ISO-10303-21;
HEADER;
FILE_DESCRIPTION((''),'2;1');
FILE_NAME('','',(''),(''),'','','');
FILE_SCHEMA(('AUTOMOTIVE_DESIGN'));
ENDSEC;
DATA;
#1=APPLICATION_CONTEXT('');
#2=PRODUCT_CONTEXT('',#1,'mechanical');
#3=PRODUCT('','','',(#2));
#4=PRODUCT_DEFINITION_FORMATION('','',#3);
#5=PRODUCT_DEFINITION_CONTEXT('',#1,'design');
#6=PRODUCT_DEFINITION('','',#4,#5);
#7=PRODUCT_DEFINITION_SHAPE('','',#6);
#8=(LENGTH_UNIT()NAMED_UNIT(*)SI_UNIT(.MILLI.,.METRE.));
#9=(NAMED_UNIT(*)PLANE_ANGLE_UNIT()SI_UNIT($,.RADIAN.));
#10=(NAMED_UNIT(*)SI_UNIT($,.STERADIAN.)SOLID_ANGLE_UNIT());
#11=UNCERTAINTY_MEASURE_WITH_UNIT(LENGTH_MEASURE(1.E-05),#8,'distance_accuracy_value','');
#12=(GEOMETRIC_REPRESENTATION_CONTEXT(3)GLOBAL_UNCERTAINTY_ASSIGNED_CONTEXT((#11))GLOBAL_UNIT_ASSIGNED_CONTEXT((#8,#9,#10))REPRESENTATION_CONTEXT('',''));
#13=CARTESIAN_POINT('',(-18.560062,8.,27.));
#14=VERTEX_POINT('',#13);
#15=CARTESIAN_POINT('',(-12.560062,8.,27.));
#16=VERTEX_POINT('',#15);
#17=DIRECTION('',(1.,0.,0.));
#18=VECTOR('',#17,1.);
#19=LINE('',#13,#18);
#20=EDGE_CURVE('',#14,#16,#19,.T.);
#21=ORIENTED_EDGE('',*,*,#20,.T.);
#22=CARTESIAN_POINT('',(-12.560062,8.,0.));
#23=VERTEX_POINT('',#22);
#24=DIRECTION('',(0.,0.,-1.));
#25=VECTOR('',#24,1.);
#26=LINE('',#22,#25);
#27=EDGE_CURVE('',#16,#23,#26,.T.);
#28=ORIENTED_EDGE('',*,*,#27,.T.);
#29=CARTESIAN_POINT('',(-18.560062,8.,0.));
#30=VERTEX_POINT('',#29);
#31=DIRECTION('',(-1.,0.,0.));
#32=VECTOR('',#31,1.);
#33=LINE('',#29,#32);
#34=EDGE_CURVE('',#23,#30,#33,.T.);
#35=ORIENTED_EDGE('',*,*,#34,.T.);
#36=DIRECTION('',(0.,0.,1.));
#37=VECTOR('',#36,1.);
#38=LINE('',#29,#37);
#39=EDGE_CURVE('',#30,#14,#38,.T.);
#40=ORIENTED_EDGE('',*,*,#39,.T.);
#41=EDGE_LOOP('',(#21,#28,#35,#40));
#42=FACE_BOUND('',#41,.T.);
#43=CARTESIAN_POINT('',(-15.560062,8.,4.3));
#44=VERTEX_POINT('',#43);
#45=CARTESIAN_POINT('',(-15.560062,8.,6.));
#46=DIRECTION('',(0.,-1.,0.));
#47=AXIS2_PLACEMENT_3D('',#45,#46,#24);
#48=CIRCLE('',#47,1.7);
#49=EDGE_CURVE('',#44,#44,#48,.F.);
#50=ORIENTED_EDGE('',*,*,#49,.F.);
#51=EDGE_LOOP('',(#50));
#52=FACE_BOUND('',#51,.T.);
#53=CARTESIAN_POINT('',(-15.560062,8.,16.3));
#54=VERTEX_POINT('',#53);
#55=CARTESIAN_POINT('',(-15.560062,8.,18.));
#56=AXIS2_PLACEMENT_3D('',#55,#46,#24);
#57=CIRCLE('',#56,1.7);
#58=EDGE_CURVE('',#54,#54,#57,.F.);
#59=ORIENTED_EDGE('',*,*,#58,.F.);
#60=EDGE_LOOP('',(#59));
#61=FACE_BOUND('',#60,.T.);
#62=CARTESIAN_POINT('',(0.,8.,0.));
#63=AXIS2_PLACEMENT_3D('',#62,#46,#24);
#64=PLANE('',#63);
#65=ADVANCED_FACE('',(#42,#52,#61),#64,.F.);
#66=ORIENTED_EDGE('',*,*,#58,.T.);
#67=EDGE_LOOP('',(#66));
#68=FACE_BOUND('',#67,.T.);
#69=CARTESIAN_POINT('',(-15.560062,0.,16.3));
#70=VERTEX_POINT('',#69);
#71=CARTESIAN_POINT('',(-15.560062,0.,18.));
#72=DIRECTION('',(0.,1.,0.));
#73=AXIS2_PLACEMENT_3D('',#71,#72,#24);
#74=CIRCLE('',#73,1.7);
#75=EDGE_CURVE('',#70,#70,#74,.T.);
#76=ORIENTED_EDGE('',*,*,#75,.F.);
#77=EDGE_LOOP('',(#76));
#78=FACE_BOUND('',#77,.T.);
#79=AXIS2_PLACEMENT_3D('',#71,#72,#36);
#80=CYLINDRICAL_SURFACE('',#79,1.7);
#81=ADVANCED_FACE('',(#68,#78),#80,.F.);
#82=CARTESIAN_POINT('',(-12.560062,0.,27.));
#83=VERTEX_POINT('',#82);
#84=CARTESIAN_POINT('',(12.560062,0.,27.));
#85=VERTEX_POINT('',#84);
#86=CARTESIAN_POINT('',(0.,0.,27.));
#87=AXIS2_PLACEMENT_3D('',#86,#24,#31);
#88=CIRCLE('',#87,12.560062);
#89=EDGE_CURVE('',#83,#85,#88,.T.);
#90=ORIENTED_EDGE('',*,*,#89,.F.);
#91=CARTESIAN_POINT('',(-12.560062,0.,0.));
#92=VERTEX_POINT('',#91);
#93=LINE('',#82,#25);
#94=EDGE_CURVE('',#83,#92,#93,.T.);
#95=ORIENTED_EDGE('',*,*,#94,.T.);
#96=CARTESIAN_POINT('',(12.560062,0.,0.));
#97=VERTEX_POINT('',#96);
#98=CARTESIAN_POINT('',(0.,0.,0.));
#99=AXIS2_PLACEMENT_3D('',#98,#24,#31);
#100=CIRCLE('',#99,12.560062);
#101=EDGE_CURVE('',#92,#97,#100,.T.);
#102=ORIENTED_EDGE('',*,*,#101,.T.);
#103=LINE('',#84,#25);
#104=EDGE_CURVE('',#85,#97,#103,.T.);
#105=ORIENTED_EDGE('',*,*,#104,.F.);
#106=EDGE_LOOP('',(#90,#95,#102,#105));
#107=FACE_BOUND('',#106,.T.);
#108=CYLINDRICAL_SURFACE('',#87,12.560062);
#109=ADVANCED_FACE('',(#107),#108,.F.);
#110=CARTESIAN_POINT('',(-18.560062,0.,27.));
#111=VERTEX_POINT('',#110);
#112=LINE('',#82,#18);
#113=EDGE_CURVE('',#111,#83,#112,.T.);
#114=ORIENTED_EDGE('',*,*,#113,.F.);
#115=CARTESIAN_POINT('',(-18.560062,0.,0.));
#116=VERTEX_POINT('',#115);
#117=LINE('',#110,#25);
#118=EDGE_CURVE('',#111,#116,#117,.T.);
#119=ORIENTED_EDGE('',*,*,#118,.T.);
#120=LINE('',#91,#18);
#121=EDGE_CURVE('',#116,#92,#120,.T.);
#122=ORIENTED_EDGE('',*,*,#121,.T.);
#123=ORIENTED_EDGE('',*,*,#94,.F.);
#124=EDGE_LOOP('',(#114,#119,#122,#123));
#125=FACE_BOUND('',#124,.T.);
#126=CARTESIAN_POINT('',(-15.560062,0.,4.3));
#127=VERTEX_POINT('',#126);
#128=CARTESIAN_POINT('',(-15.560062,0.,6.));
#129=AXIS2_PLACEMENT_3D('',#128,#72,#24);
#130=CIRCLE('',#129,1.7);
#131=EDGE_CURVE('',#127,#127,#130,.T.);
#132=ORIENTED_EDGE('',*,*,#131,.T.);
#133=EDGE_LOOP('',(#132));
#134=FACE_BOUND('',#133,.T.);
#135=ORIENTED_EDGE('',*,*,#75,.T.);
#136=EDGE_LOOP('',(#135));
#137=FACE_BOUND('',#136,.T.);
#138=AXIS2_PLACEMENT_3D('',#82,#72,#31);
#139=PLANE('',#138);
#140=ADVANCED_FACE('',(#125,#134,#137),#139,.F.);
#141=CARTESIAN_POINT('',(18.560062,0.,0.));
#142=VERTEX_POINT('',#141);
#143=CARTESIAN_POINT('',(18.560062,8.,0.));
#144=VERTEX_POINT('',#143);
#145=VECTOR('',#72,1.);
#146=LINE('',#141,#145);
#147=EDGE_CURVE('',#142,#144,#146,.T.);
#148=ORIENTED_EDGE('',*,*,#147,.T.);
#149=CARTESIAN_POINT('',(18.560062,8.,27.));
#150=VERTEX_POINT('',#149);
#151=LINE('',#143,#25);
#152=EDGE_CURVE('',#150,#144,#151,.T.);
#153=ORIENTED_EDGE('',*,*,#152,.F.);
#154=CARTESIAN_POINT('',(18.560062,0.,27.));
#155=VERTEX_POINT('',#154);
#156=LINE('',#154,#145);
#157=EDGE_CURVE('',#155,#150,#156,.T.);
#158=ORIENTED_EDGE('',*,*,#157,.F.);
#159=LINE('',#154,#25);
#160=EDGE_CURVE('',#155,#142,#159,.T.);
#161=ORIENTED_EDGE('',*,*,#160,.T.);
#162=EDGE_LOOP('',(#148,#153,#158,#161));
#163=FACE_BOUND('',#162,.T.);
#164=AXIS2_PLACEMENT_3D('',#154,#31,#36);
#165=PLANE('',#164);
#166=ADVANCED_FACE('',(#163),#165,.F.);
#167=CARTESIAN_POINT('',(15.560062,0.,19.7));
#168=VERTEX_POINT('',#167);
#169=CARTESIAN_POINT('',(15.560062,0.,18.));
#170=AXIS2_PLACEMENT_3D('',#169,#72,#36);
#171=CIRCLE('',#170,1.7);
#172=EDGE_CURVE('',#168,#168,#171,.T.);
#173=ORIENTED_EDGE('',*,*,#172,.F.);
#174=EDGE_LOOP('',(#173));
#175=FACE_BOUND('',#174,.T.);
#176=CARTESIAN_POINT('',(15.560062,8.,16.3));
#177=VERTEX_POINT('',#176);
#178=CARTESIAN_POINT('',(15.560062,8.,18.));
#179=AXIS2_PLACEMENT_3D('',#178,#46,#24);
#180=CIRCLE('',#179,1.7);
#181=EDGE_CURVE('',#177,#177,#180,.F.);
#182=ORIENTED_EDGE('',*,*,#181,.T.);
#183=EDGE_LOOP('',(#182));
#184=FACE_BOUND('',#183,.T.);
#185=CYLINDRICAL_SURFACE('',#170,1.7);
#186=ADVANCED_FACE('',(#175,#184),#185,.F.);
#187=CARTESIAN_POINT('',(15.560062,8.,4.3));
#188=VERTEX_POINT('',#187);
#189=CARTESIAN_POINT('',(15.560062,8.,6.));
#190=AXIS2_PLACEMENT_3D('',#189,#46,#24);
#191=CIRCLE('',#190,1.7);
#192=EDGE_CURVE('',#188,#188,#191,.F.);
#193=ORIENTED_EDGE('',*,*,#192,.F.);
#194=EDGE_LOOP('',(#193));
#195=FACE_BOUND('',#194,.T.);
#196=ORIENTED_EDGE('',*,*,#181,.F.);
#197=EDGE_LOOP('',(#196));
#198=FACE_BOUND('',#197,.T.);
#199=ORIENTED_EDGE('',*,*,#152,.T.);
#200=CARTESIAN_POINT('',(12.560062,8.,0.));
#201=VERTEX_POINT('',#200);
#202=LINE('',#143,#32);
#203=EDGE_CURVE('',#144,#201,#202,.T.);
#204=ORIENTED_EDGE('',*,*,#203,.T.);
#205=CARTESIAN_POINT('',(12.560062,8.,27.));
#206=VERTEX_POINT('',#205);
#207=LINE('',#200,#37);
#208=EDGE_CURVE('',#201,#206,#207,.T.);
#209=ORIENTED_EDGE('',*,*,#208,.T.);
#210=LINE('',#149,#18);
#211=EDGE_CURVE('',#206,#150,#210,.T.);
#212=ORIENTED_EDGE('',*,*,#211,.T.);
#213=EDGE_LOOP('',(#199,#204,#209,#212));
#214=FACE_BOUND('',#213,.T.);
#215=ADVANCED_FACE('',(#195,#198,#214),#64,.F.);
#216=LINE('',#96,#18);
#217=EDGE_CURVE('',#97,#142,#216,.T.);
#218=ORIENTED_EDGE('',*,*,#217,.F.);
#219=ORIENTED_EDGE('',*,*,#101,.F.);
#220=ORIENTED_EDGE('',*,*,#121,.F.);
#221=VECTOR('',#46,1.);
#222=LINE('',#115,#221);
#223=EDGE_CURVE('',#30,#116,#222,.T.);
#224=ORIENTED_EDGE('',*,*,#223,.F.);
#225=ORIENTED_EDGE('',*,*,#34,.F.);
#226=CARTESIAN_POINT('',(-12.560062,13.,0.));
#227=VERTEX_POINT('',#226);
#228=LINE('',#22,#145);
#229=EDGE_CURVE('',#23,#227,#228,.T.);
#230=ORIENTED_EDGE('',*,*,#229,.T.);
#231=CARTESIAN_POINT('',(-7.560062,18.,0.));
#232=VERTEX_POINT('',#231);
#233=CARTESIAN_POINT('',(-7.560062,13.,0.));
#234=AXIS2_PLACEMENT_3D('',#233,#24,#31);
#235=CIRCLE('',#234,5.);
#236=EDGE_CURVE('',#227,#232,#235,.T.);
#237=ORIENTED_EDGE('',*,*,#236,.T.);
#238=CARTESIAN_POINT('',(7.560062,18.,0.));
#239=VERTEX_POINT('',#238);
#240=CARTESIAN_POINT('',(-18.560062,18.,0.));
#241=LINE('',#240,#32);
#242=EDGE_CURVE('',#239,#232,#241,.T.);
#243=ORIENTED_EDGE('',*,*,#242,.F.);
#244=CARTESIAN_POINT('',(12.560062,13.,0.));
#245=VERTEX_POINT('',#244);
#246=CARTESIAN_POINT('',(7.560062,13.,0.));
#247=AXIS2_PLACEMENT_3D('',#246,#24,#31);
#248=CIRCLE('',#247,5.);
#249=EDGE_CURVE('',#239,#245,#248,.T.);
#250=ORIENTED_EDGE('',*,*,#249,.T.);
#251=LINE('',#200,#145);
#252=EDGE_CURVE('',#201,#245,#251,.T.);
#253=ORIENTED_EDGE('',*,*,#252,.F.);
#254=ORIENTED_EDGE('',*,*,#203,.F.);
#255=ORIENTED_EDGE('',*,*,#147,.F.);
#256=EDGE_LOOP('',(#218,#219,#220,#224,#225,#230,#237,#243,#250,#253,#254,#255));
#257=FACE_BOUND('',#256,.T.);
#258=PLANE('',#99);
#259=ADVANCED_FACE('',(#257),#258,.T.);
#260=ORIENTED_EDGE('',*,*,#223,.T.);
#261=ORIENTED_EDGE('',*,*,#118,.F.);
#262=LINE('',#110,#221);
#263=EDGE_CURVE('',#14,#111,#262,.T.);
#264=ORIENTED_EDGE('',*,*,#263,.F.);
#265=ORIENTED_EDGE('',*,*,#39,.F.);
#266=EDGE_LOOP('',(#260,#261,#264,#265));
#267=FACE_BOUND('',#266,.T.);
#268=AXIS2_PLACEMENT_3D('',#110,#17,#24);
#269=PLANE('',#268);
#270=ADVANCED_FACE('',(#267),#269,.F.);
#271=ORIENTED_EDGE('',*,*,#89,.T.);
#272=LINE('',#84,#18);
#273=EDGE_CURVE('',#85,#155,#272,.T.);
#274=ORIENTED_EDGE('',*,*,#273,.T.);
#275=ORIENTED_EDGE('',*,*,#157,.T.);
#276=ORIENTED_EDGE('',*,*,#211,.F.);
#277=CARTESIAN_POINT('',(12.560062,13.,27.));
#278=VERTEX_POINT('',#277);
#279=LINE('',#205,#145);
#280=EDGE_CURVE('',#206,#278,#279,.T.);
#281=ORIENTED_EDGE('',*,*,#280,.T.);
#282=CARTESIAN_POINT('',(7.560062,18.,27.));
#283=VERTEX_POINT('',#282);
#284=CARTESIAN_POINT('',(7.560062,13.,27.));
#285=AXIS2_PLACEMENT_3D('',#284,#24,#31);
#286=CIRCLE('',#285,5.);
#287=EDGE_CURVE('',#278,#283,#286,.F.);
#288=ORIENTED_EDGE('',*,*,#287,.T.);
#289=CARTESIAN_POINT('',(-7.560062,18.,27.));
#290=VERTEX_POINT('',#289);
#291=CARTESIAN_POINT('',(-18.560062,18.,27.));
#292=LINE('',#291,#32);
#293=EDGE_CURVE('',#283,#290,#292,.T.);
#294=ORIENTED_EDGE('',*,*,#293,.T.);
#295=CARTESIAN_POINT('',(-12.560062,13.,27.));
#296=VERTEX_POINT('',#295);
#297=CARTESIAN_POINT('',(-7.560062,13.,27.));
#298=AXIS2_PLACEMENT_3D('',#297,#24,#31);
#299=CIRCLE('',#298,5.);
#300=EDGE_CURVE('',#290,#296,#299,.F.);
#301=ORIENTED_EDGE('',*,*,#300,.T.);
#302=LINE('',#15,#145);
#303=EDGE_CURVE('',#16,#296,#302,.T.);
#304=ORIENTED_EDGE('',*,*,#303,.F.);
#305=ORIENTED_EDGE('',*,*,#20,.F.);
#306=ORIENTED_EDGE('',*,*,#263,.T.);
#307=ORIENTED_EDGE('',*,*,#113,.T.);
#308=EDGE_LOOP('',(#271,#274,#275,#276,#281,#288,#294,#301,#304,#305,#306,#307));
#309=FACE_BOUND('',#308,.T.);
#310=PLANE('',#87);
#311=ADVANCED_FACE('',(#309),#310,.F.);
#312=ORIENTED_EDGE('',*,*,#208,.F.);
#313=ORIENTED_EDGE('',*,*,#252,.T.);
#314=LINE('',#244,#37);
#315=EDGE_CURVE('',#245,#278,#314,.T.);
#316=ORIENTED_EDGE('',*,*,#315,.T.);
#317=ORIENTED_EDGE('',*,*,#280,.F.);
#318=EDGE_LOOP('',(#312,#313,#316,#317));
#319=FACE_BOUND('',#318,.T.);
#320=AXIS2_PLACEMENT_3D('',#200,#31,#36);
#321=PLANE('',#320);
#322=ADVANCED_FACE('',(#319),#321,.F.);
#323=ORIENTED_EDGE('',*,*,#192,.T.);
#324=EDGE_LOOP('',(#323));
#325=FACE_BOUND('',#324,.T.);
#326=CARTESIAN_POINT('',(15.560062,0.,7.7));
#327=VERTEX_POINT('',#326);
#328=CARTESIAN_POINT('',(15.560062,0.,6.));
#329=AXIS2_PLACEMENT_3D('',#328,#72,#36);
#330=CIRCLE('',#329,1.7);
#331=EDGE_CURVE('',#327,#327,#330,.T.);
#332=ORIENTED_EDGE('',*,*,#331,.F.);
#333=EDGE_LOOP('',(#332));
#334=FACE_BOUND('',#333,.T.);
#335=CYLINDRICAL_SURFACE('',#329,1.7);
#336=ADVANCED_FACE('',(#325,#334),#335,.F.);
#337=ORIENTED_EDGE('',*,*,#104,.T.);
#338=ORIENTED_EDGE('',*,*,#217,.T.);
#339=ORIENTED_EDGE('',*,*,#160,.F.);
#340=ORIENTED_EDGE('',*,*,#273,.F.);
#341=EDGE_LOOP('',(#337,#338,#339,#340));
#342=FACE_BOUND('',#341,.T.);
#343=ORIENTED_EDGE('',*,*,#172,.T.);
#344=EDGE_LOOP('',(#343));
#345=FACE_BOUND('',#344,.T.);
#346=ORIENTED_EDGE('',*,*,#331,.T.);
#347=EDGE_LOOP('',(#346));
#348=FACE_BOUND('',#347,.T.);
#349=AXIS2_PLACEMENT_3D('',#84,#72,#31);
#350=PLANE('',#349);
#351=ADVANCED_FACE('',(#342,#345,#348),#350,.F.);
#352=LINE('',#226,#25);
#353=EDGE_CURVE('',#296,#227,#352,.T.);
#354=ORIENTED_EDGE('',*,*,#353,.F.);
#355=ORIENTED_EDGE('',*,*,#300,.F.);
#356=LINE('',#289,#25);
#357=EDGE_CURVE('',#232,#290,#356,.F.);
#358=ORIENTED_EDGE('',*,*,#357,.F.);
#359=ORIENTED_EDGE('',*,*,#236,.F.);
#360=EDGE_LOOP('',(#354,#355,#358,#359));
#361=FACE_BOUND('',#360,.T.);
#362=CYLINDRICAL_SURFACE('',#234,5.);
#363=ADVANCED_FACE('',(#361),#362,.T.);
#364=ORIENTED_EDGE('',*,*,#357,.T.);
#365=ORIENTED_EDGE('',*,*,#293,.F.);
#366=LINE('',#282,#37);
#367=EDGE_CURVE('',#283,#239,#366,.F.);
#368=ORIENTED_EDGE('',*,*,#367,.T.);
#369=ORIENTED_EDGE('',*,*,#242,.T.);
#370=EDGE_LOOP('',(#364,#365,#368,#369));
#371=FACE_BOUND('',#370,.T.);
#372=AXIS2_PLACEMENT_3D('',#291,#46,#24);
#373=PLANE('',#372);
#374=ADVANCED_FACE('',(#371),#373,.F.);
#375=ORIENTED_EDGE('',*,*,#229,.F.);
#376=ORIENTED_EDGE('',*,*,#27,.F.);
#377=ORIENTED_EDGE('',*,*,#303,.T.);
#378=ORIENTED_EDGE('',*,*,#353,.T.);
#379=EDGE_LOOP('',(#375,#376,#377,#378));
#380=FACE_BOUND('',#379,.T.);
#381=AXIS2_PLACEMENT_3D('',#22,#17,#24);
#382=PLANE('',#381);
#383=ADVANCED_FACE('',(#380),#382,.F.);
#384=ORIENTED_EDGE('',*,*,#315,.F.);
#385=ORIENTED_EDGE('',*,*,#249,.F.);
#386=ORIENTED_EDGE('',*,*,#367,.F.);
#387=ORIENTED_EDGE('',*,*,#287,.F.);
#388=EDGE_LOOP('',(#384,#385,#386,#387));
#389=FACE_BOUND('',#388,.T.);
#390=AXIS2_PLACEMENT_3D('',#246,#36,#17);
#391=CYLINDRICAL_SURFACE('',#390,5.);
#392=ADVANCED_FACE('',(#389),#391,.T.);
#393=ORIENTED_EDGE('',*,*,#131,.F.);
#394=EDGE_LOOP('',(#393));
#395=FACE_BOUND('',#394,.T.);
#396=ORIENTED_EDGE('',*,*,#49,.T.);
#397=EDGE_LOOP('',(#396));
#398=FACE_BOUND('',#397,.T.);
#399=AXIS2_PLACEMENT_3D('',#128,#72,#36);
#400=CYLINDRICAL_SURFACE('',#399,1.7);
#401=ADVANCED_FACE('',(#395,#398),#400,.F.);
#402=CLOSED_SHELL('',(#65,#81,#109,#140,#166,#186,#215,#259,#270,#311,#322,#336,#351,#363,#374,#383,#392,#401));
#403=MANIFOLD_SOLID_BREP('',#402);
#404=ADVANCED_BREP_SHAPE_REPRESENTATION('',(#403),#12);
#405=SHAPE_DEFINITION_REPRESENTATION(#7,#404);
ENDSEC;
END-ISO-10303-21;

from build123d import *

# Parameters (mm, degrees)
BOSS_EXTRU_1_DEPTH      = 27
ESQUISSE5_R             = 1.7
ENL_V_MAT_EXTRU_1_DEPTH = 18
ESQUISSE6_W             = 6
ESQUISSE6_H             = 27
ENL_V_MAT_EXTRU_2_DEPTH = 10
CONG_1_R                = 5


with BuildPart() as part:
    # Esquisse1 → Boss.-Extru.1 (new body)
    with BuildSketch(Plane.XY):
        with BuildLine():
            Line((-12.560062385, 0), (-18.560062385, 0))
            Line((-18.560062385, 0), (-18.560062385, 18))
            Line((-18.560062385, 18), (18.560062385, 18))
            Line((18.560062385, 18), (18.560062385, 0))
            Line((18.560062385, 0), (12.560062385, 0))
            ThreePointArc((12.560062385, 0), (0, 12.560062385), (-12.560062385, 0))
        make_face()
    extrude(amount=BOSS_EXTRU_1_DEPTH)

    # Esquisse5 → Enlèv. mat.-Extru.1 (cut)
    with BuildSketch(Plane(origin=(0, 18, 0), x_dir=(1, 0, 0), z_dir=(0, 1, 0))):
        with Locations((15.560062385, -6)):
            Circle(ESQUISSE5_R)
        with Locations((15.560062385, -18)):
            Circle(ESQUISSE5_R)
        with Locations((-15.560062385, -6)):
            Circle(ESQUISSE5_R)
        with Locations((-15.560062385, -18)):
            Circle(ESQUISSE5_R)
    extrude(amount=-ENL_V_MAT_EXTRU_1_DEPTH, mode=Mode.SUBTRACT)

    # Esquisse6 → Enlèv. mat.-Extru.2 (cut)
    with BuildSketch(Plane(origin=(0, 18, 0), x_dir=(1, 0, 0), z_dir=(0, 1, 0))):
        with Locations((15.560062385, -13.5)):
            Rectangle(ESQUISSE6_W, ESQUISSE6_H)
        with Locations((-15.560062385, -13.5)):
            Rectangle(ESQUISSE6_W, ESQUISSE6_H)
    extrude(amount=-ENL_V_MAT_EXTRU_2_DEPTH, mode=Mode.SUBTRACT)

    # Congé1
    cong_1_edges = [part.edges().sort_by_distance(p)[0] for p in [
        (12.560062385, 18, 13.5),
        (-12.560062385, 18, 13.5),
    ]]
    fillet(cong_1_edges, radius=CONG_1_R)


solid = part.part
